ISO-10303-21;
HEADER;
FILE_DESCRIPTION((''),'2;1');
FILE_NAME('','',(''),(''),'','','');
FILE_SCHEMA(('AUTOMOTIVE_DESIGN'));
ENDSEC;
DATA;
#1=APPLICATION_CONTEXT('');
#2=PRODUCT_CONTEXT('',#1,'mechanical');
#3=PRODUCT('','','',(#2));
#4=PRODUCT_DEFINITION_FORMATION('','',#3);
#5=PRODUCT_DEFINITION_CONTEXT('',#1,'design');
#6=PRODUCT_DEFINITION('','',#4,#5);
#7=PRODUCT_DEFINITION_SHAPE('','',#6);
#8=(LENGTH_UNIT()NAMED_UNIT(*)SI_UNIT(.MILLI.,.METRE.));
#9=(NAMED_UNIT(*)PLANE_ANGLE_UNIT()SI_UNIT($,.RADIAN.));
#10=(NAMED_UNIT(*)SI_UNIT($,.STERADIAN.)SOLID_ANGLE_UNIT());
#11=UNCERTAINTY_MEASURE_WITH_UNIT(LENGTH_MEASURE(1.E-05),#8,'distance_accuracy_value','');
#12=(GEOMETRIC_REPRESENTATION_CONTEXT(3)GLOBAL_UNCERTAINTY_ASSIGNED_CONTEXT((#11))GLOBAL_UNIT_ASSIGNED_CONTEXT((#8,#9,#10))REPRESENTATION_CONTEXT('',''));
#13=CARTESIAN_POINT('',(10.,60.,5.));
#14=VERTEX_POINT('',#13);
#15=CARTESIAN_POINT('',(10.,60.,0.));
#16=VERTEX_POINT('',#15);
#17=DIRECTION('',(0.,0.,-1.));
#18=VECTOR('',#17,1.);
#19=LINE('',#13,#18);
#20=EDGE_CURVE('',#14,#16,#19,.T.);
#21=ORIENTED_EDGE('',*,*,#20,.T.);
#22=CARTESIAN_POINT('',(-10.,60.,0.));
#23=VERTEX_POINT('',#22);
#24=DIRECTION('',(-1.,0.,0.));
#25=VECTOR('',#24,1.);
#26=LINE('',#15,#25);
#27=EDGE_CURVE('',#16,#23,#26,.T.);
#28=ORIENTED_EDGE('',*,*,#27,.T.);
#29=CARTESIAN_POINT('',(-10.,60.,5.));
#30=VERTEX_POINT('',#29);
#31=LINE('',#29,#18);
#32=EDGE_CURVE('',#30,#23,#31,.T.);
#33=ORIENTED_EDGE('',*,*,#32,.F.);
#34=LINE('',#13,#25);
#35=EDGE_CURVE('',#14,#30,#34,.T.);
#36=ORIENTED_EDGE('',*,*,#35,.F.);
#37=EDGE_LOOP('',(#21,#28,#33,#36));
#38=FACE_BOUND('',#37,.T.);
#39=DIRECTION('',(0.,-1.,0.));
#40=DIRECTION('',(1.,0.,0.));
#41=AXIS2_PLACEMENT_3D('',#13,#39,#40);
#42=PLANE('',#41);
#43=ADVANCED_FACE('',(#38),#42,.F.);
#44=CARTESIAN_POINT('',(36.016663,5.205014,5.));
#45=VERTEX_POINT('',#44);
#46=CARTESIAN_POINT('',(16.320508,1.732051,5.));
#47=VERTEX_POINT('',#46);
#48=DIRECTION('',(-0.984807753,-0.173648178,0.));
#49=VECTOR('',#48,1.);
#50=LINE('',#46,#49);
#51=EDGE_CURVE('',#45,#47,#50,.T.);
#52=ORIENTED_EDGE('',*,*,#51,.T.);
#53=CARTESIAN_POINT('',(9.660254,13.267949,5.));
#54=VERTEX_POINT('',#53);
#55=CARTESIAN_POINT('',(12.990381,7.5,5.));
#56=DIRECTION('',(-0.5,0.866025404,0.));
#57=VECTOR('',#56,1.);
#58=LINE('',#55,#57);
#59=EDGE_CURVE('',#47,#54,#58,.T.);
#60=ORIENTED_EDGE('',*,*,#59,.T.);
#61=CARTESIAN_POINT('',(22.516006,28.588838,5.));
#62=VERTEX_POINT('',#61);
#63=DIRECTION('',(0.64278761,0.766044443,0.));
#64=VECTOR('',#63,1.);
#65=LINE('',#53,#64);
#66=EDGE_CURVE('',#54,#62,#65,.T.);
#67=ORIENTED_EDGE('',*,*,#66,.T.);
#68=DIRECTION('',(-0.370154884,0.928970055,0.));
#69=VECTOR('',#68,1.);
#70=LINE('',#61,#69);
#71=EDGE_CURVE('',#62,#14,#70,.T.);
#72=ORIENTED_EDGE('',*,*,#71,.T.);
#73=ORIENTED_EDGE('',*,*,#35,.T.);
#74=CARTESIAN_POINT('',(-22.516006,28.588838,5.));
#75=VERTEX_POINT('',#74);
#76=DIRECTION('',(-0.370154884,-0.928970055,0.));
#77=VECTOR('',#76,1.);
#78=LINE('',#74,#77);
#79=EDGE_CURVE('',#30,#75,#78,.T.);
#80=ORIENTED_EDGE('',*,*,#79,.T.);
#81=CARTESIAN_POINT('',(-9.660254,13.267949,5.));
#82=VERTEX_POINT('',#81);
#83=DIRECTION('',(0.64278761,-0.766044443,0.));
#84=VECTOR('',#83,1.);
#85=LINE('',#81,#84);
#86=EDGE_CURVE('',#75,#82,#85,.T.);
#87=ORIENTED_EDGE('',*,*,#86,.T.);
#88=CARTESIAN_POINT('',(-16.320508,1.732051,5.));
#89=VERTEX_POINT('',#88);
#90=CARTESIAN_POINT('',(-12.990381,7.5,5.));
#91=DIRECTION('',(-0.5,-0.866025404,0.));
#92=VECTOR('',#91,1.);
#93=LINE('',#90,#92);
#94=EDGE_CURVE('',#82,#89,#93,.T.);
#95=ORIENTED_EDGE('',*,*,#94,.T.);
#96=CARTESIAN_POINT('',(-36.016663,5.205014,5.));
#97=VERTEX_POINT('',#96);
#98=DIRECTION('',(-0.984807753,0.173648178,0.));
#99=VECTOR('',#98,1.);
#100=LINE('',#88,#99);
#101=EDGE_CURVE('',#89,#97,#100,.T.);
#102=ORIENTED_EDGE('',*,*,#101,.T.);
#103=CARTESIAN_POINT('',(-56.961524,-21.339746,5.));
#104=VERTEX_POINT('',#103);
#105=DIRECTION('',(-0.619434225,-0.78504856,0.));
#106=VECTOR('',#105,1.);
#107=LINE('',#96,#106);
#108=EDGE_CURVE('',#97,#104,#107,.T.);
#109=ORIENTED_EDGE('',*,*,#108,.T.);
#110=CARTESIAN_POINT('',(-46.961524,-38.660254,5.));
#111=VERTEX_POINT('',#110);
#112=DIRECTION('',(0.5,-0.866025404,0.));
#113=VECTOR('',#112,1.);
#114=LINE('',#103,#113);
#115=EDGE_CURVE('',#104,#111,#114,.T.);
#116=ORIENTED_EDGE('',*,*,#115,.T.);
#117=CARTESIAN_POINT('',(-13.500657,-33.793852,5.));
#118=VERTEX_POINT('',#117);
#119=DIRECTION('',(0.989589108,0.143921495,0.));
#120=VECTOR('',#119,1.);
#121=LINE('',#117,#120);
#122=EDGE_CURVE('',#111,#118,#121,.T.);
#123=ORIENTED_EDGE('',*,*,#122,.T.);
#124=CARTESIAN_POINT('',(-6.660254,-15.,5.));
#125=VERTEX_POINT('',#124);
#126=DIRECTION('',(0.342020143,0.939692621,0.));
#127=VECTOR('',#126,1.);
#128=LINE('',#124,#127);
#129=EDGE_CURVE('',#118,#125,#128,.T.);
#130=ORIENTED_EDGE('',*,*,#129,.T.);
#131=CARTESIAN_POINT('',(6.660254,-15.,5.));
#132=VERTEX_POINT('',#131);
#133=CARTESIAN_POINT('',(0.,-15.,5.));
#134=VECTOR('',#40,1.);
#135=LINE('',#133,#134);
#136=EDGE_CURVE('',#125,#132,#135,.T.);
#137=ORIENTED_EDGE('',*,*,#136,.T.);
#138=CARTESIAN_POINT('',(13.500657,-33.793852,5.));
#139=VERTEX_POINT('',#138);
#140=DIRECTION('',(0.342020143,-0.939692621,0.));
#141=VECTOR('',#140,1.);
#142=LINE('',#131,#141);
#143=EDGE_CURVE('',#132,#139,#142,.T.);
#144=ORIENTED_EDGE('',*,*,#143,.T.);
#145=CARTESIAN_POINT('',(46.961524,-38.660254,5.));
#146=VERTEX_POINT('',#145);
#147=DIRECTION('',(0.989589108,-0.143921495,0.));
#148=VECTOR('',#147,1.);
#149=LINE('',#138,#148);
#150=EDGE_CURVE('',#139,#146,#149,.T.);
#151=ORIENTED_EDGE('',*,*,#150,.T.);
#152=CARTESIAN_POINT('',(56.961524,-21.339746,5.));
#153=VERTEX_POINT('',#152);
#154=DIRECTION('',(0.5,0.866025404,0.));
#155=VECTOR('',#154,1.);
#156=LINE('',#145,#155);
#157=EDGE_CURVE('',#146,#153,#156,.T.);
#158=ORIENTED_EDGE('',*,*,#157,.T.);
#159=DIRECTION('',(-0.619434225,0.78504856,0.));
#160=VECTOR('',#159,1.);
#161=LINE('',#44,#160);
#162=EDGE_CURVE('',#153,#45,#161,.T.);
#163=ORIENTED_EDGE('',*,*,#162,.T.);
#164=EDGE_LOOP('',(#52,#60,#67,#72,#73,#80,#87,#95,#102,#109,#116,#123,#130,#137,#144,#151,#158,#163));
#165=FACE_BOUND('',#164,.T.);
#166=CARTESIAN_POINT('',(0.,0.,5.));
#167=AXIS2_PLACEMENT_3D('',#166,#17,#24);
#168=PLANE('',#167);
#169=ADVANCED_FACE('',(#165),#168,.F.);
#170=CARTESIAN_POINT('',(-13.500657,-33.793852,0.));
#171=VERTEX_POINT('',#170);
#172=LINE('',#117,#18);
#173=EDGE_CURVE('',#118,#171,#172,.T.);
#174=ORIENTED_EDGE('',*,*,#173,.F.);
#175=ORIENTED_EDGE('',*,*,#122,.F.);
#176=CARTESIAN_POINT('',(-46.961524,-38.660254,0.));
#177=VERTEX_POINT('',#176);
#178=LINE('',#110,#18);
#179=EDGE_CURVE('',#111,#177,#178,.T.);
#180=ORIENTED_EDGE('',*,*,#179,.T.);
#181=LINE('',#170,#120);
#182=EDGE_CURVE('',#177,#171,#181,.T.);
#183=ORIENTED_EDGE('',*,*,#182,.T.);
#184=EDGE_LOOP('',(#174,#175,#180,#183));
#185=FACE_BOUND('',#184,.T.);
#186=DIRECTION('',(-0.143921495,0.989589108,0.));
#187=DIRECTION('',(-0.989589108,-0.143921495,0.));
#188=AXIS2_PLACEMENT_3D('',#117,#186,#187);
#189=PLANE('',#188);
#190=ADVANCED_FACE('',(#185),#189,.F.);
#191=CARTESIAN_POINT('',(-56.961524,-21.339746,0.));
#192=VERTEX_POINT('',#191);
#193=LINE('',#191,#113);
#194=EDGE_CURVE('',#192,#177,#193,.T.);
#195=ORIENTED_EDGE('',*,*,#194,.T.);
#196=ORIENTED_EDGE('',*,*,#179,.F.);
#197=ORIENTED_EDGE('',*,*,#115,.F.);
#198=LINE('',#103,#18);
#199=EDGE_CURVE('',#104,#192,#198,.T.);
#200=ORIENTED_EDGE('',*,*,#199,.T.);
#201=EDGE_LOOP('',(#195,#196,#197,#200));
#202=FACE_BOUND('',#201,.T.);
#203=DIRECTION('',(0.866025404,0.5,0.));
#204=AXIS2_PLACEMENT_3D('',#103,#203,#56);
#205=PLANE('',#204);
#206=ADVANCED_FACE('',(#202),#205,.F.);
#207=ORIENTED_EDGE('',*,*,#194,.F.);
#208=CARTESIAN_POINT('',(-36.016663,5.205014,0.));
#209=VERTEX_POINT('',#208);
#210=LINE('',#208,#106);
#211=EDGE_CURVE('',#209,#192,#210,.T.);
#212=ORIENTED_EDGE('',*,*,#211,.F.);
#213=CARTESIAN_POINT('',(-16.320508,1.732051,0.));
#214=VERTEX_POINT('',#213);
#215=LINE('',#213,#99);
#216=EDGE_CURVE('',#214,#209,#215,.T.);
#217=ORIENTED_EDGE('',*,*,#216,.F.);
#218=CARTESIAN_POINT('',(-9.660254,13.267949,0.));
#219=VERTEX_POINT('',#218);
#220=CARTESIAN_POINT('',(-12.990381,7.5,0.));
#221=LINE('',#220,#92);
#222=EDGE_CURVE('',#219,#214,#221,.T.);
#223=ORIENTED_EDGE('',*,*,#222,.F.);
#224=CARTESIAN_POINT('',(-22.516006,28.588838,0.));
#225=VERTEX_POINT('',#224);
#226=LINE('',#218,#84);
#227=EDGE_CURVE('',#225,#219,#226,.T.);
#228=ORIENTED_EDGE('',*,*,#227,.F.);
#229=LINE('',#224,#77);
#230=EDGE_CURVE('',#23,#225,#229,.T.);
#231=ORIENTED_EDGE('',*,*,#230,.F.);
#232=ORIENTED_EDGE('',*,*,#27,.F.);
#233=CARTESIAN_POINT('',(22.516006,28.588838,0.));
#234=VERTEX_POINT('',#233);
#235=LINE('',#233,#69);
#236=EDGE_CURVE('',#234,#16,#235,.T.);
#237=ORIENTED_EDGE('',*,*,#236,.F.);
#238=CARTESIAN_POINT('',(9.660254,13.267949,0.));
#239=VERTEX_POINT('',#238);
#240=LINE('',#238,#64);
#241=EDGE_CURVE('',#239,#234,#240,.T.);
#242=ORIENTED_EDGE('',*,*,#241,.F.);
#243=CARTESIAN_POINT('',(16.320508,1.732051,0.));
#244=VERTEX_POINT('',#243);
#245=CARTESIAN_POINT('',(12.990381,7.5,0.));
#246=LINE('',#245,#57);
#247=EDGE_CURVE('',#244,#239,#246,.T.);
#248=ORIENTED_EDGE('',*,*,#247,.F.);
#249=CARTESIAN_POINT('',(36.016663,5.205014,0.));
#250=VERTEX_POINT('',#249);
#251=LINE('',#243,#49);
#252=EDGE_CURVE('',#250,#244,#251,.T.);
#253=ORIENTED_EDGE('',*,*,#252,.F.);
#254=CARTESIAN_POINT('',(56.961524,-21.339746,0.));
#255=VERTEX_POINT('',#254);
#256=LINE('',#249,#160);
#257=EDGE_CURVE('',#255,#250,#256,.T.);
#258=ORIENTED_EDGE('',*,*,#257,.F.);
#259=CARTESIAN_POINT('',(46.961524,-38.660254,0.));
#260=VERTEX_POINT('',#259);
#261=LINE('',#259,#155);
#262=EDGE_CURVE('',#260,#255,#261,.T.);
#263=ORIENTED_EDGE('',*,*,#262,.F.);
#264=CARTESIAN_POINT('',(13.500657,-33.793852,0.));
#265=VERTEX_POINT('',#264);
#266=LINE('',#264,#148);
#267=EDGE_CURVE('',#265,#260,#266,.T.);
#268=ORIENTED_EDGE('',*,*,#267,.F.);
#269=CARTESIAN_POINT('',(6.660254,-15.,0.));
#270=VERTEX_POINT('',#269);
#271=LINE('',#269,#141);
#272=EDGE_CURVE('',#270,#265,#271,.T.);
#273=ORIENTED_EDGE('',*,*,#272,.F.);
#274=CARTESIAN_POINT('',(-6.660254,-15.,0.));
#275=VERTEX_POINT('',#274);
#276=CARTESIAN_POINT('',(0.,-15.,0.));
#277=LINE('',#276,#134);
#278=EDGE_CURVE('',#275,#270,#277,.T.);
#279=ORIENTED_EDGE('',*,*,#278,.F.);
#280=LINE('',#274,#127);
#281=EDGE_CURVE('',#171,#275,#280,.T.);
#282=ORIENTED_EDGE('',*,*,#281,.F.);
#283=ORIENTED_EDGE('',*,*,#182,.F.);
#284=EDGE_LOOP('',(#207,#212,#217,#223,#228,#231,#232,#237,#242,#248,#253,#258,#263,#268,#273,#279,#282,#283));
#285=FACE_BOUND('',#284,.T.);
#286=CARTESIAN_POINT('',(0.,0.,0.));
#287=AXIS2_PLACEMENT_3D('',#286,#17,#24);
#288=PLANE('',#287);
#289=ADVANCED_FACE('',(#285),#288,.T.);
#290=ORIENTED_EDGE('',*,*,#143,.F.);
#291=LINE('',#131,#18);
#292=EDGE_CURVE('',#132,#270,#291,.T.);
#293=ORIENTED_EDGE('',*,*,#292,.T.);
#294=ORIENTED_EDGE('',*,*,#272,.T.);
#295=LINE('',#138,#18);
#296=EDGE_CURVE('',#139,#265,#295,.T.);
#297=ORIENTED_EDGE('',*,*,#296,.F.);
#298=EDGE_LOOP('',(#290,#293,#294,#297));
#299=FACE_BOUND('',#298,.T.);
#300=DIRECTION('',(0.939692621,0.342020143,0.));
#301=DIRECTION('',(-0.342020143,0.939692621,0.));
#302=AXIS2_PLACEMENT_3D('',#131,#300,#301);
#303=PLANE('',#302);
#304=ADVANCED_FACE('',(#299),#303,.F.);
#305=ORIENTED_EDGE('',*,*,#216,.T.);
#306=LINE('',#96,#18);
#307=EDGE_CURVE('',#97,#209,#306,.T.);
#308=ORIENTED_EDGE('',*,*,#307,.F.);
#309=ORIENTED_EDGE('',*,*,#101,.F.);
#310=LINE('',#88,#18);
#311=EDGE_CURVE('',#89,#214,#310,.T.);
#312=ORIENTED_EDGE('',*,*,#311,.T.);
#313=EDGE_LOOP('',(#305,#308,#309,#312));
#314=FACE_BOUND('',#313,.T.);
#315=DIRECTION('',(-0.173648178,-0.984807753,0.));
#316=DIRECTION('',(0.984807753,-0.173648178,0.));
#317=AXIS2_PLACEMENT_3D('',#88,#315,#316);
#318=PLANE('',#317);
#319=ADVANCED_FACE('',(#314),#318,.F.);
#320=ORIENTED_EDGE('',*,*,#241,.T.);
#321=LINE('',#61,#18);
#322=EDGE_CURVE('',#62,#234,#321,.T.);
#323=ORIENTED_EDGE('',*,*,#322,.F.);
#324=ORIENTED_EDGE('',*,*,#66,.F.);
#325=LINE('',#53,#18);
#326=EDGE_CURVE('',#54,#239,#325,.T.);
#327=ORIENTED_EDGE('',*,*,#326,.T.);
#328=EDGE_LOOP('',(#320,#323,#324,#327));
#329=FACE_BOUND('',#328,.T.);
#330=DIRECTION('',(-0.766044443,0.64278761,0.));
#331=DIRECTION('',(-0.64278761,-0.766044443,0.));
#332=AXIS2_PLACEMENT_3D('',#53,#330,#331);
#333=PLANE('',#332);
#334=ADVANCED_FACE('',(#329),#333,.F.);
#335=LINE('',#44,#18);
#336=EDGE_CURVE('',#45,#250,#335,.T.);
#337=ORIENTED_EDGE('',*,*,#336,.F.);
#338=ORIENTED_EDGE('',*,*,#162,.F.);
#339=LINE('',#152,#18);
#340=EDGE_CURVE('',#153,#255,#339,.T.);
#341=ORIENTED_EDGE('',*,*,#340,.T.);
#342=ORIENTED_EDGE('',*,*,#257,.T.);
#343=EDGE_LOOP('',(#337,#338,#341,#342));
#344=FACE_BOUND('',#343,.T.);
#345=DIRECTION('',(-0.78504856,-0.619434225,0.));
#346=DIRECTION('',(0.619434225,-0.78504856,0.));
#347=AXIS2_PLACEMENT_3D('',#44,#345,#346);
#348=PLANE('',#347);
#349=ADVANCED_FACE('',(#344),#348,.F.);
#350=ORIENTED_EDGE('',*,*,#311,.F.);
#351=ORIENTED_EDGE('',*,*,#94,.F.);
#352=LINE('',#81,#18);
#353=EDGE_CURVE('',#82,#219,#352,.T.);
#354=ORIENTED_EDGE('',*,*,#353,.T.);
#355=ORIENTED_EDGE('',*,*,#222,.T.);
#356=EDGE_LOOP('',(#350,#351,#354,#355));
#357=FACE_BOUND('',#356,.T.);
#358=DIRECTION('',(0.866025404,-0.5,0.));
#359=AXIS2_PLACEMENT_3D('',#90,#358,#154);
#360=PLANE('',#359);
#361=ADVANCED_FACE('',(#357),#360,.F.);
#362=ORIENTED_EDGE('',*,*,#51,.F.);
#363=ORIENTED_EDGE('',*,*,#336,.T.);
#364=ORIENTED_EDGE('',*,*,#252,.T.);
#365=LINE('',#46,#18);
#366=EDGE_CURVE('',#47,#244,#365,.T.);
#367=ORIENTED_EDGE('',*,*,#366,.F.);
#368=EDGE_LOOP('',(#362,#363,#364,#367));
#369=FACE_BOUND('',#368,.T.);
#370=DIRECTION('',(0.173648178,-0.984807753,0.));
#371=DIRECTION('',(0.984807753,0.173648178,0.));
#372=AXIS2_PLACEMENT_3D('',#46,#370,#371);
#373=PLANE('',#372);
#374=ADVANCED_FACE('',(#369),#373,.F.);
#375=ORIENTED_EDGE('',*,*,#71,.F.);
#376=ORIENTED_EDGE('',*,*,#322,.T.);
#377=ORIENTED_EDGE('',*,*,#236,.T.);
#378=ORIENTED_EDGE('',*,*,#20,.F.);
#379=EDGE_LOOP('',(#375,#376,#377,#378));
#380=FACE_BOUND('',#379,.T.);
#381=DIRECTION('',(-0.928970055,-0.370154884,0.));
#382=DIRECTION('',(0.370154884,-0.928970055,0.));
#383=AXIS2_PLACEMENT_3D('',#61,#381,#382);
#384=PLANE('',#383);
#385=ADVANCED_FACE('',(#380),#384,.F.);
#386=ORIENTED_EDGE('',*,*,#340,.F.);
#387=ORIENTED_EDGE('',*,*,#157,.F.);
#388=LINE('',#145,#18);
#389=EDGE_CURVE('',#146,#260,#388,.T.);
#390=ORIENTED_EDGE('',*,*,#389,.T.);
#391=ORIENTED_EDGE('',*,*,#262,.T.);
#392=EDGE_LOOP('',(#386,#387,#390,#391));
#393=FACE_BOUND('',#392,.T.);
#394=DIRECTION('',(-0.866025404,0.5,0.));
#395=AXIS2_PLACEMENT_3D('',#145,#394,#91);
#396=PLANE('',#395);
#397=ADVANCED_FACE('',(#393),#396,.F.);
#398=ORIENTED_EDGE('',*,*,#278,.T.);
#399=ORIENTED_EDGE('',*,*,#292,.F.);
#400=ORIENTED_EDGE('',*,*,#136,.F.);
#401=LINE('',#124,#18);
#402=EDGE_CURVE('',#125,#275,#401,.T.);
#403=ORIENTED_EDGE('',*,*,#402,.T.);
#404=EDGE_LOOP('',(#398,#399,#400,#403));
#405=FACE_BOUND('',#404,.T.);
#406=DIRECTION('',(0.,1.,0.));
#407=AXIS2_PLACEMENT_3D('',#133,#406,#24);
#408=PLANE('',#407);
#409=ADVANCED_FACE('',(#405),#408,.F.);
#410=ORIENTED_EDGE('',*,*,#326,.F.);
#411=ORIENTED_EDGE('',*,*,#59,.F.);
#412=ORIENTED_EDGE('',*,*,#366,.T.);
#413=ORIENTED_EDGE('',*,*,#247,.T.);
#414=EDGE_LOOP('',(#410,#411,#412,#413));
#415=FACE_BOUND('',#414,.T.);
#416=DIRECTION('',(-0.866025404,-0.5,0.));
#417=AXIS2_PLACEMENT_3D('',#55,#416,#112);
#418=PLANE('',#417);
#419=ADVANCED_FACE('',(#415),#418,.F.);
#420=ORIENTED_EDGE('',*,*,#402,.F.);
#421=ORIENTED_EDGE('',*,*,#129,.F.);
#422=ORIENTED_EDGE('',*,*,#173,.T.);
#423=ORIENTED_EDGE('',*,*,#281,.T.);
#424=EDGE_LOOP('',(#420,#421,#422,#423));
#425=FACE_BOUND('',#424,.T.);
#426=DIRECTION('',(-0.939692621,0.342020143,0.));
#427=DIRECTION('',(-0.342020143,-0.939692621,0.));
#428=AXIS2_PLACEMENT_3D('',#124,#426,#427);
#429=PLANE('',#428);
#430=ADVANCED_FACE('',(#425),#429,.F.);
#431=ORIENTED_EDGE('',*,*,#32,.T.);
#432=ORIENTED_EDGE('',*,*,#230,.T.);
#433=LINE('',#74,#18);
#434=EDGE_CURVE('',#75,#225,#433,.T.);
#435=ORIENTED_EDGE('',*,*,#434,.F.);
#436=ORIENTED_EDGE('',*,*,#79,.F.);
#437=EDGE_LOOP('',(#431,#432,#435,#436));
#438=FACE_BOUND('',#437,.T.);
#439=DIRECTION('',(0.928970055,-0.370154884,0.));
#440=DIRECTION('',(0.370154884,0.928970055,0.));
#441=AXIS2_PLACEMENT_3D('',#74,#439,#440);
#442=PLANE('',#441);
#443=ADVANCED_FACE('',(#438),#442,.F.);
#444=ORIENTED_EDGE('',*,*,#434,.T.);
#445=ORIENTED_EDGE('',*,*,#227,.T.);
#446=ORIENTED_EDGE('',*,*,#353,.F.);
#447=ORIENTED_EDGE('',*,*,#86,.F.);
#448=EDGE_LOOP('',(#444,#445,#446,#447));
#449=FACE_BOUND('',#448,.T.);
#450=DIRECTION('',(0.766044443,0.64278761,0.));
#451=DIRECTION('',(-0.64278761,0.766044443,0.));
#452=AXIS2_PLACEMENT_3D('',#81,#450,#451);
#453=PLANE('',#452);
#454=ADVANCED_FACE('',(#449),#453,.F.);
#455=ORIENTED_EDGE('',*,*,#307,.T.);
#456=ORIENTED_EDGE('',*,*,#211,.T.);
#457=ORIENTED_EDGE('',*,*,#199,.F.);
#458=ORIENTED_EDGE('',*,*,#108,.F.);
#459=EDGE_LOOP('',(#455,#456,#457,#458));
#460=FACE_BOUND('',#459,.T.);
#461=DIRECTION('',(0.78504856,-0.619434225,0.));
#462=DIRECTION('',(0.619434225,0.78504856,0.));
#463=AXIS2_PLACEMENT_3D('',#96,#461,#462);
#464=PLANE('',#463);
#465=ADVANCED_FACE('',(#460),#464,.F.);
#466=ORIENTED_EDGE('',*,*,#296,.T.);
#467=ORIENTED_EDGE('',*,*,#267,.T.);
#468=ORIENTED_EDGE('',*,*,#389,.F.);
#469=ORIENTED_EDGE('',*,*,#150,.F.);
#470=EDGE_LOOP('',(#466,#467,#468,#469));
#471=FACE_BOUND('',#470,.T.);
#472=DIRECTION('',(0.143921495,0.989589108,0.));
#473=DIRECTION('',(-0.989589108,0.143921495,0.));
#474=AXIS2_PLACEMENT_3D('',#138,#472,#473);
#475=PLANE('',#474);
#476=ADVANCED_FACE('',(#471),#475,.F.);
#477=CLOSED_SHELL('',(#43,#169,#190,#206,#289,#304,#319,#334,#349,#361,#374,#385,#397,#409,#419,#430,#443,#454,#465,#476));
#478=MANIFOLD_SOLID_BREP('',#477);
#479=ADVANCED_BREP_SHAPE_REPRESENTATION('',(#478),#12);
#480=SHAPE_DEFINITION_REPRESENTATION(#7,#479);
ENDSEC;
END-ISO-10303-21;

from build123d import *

# Parameters (mm, degrees)
BOSS_EXTRUDE1_DEPTH = 5


with BuildPart() as part:
    # Sketch1 → Boss-Extrude1 (new body)
    with BuildSketch(Plane.XY):
        Polygon((-22.516006232, 28.588838055), (-10, 60), (10, 60), (22.516006232, 28.588838055), (9.660254038, 13.267949192), (12.990381057, 7.5), (16.320508076, 1.732050808), (36.016663136, 5.205014361), (56.961524227, -21.339745962), (46.961524227, -38.660254038), (13.500656904, -33.793852416), (6.660254038, -15), (0, -15), (-6.660254038, -15), (-13.500656904, -33.793852416), (-46.961524227, -38.660254038), (-56.961524227, -21.339745962), (-36.016663136, 5.205014361), (-16.320508076, 1.732050808), (-12.990381057, 7.5), (-9.660254038, 13.267949192), align=None)
    extrude(amount=BOSS_EXTRUDE1_DEPTH)


solid = part.part
